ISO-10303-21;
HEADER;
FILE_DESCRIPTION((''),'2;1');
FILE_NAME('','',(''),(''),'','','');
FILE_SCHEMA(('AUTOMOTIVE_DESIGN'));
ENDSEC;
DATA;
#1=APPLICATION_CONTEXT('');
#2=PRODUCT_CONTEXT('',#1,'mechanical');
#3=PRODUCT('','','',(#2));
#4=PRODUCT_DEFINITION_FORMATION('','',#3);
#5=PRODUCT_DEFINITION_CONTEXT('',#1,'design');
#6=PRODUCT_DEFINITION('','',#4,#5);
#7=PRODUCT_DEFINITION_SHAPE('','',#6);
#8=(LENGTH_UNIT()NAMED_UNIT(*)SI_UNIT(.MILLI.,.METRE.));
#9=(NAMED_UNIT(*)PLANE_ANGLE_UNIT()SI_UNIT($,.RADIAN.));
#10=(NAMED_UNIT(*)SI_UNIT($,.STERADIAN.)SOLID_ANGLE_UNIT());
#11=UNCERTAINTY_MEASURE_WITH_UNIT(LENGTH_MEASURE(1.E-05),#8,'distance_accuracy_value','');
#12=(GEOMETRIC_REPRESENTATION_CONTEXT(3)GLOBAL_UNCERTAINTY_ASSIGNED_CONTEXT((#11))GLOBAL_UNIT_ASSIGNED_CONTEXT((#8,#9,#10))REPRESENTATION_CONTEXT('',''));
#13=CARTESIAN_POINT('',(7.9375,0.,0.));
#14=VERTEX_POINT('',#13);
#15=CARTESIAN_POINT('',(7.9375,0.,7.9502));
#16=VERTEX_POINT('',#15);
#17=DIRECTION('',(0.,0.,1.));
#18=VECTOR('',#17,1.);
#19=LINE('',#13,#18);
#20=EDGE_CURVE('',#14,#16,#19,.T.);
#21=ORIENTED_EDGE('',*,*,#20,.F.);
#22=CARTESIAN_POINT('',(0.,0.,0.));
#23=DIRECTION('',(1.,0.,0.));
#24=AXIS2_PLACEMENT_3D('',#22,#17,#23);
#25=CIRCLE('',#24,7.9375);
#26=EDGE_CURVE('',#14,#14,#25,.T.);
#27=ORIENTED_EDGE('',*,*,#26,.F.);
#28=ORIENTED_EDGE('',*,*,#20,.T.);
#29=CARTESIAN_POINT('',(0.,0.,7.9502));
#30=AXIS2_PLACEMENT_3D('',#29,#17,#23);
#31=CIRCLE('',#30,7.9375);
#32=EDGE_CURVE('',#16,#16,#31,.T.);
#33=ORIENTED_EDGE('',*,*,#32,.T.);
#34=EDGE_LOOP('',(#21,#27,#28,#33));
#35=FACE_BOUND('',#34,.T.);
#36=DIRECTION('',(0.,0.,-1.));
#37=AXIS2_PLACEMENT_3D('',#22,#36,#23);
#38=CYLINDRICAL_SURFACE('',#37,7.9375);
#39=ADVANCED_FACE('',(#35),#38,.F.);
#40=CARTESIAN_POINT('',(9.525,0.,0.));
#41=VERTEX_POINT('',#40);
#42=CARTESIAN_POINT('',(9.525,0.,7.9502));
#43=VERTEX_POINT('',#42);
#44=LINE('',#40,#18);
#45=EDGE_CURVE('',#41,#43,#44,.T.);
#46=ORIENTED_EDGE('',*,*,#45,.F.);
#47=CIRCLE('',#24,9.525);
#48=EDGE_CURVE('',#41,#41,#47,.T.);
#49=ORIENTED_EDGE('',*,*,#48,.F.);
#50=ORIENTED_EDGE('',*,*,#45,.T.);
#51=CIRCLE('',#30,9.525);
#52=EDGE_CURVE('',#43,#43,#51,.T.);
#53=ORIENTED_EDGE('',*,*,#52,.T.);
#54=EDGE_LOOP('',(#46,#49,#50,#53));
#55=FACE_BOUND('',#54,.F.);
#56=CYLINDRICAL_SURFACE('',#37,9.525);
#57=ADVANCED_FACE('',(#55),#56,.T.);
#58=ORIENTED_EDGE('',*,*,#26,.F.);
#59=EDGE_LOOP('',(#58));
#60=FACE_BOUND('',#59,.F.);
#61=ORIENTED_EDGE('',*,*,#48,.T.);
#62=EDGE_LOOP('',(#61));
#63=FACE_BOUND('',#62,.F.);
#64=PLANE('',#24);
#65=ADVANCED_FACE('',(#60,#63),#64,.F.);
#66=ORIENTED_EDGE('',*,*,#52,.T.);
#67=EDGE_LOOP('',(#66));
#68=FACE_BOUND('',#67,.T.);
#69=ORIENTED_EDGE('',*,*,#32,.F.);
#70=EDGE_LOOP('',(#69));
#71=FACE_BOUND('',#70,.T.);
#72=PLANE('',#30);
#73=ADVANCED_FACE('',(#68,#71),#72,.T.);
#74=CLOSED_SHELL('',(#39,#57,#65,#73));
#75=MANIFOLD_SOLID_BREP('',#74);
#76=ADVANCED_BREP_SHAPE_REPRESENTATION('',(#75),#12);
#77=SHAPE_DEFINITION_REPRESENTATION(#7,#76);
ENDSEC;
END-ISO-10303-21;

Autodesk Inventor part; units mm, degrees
ref_plane "YZ Plane" through (0, 0, 0) normal (1, 0, 0) x (0, 1, 0)
ref_plane "XZ Plane" through (0, 0, 0) normal (0, 1, 0) x (-1, 0, 0)
ref_plane "XY Plane" through (0, 0, 0) normal (0, 0, 1) x (1, 0, 0)
sketch "Sketch1" plane through (0, 0, 0) normal (0, 0, 1) x (1, 0, 0)
  circle A0 centre (0, 0) radius 9.525
  circle A1 centre (0, 0) radius 7.9375
  dimension "d0" = 19.05
  dimension "d1" = 15.875
extrude "Extrusion1" add sketch "Sketch1" along normal blind 7.9502
properties part number "PulleySurface" material "Stainless Steel"
